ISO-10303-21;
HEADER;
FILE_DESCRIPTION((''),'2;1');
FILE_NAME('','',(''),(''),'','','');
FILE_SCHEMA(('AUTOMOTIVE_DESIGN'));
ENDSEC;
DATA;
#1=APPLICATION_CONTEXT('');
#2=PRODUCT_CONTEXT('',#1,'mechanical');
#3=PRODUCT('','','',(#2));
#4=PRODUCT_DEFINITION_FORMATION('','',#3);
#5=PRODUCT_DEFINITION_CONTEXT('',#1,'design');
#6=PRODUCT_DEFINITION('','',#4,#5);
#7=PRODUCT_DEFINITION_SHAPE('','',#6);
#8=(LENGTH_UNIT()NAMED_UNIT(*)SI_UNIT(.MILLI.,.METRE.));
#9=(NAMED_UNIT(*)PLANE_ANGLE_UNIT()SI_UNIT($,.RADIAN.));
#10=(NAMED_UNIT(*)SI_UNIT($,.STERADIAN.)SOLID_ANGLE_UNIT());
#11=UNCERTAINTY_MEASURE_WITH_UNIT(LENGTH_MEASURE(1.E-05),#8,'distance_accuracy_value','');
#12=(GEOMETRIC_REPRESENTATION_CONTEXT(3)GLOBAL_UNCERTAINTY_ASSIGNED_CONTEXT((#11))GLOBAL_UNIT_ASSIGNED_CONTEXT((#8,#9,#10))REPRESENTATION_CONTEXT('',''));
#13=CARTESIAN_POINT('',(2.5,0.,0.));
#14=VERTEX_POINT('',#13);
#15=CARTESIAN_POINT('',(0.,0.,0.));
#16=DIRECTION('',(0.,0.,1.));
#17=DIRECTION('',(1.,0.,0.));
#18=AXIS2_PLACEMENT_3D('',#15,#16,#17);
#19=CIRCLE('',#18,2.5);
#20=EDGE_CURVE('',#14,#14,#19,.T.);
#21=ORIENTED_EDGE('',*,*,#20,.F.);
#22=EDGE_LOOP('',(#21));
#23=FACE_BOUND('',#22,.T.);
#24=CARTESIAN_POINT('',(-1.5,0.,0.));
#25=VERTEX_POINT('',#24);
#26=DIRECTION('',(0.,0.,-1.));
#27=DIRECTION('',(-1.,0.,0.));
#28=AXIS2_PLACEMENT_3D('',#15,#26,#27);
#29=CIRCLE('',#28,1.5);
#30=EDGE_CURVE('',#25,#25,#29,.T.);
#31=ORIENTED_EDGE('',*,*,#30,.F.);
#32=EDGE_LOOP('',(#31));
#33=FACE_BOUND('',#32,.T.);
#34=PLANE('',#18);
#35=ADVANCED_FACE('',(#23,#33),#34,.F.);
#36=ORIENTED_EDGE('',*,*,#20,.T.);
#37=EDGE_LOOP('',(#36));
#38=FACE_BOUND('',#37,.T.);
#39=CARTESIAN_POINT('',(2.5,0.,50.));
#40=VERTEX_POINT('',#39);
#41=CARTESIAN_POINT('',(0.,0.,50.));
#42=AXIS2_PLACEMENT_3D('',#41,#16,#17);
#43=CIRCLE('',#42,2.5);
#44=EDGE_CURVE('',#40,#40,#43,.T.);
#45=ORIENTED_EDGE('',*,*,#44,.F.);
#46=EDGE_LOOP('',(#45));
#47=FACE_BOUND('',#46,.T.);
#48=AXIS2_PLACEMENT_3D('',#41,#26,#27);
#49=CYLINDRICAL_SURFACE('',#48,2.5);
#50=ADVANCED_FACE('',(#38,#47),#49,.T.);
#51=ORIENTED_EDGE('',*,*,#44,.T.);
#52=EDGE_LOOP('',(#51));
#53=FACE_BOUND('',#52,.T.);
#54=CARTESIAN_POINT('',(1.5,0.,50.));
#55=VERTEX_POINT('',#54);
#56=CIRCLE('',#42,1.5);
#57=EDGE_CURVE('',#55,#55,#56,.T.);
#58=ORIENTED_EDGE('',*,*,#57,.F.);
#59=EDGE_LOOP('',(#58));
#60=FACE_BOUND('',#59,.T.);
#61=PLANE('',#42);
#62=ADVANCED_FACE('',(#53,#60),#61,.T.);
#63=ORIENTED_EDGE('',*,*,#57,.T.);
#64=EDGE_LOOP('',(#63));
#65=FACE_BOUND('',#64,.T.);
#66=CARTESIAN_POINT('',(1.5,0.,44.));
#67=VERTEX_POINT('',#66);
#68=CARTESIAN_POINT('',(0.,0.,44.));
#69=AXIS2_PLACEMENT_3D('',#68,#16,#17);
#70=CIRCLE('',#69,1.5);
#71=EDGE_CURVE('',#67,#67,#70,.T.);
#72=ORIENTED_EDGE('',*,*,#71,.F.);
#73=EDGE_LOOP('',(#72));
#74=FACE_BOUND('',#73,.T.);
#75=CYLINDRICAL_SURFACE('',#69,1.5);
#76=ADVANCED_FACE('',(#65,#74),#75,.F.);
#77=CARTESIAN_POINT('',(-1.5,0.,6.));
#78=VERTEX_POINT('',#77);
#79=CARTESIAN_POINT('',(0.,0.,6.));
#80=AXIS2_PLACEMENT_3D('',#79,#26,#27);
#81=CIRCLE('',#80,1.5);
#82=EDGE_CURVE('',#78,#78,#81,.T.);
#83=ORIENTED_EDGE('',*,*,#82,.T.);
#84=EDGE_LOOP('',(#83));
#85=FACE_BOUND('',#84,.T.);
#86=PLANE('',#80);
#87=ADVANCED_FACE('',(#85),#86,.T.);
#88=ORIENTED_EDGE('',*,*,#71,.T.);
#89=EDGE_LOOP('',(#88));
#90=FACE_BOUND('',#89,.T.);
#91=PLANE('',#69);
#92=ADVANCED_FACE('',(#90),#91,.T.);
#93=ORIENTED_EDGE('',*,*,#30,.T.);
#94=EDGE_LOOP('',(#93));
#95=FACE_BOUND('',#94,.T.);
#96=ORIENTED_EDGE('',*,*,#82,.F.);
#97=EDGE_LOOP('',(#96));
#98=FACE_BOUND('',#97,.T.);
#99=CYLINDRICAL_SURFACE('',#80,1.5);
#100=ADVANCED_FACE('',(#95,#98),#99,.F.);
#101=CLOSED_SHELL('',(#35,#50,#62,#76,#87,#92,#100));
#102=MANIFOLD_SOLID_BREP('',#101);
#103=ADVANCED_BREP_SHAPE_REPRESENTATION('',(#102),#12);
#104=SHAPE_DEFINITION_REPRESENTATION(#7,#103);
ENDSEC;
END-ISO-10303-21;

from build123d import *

# Parameters (mm, degrees)
SKETCH1_R           = 2.5
BOSS_EXTRUDE2_DEPTH = 50
SKETCH2_R           = 1.5
CUT_EXTRUDE1_DEPTH  = 6
CUT_EXTRUDE2_START  = -6
SKETCH3_R           = 1.5
CUT_EXTRUDE2_DEPTH  = 6


with BuildPart() as part:
    # Sketch1 → Boss-Extrude2 (new body)
    with BuildSketch(Plane.XY):
        Circle(SKETCH1_R)
    extrude(amount=BOSS_EXTRUDE2_DEPTH)

    # Sketch2 → Cut-Extrude1 (cut)
    with BuildSketch(Plane.XY.offset(50)):
        Circle(SKETCH2_R)
    extrude(amount=-CUT_EXTRUDE1_DEPTH, mode=Mode.SUBTRACT)

    # Sketch3 → Cut-Extrude2 (cut)
    with BuildSketch(Plane(origin=(0, 0, 0), x_dir=(-1, 0, 0), z_dir=(0, 0, -1)).offset(CUT_EXTRUDE2_START)):
        with Locations(Location((0, 0, 0), (0, 0, 180))):
            Circle(SKETCH3_R)
    extrude(amount=CUT_EXTRUDE2_DEPTH, mode=Mode.SUBTRACT)


solid = part.part
